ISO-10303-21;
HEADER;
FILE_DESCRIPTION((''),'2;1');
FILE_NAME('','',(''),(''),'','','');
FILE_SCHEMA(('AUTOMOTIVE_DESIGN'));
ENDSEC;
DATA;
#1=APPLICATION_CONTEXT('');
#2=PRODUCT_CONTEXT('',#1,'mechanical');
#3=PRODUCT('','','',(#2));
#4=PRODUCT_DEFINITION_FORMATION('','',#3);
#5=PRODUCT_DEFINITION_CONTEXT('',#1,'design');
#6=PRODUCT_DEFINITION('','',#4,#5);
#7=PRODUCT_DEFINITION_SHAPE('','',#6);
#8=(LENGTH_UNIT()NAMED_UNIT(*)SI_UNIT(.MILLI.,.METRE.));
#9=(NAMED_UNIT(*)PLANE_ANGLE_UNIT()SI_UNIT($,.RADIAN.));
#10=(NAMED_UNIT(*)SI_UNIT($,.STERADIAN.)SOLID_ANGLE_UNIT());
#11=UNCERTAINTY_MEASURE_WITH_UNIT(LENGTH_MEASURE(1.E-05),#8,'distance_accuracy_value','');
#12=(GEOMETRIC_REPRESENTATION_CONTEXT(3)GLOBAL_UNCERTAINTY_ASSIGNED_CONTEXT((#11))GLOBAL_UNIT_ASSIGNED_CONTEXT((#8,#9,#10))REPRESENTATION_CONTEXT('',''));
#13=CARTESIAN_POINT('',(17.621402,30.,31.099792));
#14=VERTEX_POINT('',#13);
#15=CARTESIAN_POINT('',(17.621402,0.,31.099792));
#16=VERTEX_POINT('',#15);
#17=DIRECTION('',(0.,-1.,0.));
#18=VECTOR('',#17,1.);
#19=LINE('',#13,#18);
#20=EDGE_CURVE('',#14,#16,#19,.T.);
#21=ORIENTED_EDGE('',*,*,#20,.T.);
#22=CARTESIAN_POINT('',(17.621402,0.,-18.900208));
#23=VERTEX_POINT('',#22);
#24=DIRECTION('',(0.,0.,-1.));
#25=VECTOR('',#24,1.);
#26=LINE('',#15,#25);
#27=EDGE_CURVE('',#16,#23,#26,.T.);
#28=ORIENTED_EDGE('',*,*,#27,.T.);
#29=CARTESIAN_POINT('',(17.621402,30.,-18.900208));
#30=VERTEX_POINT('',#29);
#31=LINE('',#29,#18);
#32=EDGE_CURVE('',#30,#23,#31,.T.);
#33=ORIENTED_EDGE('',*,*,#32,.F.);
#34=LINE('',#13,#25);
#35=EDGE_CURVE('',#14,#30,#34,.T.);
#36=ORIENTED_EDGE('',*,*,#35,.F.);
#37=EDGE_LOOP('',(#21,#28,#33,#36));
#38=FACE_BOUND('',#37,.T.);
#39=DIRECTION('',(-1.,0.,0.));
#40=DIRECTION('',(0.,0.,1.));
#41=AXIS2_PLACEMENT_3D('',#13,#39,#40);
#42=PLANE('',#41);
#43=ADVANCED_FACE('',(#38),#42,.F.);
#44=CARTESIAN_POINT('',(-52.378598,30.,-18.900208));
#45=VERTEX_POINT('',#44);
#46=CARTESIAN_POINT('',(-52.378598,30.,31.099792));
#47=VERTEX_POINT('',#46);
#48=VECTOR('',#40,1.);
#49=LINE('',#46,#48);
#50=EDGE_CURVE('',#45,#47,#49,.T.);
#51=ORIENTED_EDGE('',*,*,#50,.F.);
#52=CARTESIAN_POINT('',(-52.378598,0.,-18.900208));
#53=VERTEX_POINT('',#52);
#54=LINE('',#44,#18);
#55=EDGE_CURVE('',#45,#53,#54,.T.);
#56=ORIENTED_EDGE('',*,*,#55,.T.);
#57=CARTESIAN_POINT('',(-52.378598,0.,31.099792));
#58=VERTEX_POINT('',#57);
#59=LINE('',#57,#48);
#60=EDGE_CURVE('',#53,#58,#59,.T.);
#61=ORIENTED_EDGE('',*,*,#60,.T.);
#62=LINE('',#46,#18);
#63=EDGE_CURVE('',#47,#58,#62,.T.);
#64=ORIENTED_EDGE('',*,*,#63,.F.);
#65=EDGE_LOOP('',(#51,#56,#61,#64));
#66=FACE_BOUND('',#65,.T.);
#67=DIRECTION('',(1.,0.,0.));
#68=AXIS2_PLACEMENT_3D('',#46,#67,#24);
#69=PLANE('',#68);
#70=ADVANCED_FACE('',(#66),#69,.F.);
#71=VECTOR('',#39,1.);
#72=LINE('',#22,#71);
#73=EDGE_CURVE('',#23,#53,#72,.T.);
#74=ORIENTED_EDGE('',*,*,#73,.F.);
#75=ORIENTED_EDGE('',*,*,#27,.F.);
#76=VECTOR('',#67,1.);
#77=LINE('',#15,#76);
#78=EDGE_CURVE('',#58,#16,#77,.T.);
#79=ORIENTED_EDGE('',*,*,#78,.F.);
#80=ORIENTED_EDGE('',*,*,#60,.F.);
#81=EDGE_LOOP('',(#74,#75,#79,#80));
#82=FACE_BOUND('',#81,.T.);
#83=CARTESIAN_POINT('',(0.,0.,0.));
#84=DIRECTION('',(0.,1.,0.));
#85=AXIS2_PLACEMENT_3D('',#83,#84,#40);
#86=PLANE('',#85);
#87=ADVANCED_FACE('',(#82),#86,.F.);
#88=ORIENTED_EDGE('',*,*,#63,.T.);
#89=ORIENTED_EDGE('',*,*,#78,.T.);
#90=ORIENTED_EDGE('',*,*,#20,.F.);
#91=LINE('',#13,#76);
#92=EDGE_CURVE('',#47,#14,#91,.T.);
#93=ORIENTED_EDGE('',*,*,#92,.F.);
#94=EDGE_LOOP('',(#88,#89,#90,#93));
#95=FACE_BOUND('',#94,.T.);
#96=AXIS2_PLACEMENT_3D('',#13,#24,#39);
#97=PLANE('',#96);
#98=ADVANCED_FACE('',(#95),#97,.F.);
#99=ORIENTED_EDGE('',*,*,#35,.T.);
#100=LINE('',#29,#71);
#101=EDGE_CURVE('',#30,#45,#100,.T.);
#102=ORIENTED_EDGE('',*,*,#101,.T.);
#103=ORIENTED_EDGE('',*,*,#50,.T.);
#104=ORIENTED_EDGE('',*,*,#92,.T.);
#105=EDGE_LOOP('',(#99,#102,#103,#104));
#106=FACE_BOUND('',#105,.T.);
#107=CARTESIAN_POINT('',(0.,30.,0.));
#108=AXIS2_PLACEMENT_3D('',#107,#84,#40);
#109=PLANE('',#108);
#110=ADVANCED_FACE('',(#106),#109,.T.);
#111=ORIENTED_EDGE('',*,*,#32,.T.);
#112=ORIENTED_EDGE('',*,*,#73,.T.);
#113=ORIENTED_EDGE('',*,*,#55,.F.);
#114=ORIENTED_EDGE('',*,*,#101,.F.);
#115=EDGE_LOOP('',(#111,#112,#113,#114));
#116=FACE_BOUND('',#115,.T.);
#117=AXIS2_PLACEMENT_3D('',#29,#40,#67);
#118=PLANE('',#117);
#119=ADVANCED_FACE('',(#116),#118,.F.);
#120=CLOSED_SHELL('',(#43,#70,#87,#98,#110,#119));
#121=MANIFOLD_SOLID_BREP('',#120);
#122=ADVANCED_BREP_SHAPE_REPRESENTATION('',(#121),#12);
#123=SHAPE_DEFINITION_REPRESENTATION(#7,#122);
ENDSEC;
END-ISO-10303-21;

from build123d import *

# Parameters (mm, degrees)
SKETCH1_W           = 70
SKETCH1_H           = 50
BOSS_EXTRUDE1_DEPTH = 30


with BuildPart() as part:
    # Sketch1 → Boss-Extrude1 (new body)
    with BuildSketch(Plane(origin=(0, 0, 0), x_dir=(1, 0, 0), z_dir=(0, 1, 0))):
        with Locations((-17.378597763, -6.099792422)):
            Rectangle(SKETCH1_W, SKETCH1_H)
    extrude(amount=BOSS_EXTRUDE1_DEPTH)


solid = part.part
